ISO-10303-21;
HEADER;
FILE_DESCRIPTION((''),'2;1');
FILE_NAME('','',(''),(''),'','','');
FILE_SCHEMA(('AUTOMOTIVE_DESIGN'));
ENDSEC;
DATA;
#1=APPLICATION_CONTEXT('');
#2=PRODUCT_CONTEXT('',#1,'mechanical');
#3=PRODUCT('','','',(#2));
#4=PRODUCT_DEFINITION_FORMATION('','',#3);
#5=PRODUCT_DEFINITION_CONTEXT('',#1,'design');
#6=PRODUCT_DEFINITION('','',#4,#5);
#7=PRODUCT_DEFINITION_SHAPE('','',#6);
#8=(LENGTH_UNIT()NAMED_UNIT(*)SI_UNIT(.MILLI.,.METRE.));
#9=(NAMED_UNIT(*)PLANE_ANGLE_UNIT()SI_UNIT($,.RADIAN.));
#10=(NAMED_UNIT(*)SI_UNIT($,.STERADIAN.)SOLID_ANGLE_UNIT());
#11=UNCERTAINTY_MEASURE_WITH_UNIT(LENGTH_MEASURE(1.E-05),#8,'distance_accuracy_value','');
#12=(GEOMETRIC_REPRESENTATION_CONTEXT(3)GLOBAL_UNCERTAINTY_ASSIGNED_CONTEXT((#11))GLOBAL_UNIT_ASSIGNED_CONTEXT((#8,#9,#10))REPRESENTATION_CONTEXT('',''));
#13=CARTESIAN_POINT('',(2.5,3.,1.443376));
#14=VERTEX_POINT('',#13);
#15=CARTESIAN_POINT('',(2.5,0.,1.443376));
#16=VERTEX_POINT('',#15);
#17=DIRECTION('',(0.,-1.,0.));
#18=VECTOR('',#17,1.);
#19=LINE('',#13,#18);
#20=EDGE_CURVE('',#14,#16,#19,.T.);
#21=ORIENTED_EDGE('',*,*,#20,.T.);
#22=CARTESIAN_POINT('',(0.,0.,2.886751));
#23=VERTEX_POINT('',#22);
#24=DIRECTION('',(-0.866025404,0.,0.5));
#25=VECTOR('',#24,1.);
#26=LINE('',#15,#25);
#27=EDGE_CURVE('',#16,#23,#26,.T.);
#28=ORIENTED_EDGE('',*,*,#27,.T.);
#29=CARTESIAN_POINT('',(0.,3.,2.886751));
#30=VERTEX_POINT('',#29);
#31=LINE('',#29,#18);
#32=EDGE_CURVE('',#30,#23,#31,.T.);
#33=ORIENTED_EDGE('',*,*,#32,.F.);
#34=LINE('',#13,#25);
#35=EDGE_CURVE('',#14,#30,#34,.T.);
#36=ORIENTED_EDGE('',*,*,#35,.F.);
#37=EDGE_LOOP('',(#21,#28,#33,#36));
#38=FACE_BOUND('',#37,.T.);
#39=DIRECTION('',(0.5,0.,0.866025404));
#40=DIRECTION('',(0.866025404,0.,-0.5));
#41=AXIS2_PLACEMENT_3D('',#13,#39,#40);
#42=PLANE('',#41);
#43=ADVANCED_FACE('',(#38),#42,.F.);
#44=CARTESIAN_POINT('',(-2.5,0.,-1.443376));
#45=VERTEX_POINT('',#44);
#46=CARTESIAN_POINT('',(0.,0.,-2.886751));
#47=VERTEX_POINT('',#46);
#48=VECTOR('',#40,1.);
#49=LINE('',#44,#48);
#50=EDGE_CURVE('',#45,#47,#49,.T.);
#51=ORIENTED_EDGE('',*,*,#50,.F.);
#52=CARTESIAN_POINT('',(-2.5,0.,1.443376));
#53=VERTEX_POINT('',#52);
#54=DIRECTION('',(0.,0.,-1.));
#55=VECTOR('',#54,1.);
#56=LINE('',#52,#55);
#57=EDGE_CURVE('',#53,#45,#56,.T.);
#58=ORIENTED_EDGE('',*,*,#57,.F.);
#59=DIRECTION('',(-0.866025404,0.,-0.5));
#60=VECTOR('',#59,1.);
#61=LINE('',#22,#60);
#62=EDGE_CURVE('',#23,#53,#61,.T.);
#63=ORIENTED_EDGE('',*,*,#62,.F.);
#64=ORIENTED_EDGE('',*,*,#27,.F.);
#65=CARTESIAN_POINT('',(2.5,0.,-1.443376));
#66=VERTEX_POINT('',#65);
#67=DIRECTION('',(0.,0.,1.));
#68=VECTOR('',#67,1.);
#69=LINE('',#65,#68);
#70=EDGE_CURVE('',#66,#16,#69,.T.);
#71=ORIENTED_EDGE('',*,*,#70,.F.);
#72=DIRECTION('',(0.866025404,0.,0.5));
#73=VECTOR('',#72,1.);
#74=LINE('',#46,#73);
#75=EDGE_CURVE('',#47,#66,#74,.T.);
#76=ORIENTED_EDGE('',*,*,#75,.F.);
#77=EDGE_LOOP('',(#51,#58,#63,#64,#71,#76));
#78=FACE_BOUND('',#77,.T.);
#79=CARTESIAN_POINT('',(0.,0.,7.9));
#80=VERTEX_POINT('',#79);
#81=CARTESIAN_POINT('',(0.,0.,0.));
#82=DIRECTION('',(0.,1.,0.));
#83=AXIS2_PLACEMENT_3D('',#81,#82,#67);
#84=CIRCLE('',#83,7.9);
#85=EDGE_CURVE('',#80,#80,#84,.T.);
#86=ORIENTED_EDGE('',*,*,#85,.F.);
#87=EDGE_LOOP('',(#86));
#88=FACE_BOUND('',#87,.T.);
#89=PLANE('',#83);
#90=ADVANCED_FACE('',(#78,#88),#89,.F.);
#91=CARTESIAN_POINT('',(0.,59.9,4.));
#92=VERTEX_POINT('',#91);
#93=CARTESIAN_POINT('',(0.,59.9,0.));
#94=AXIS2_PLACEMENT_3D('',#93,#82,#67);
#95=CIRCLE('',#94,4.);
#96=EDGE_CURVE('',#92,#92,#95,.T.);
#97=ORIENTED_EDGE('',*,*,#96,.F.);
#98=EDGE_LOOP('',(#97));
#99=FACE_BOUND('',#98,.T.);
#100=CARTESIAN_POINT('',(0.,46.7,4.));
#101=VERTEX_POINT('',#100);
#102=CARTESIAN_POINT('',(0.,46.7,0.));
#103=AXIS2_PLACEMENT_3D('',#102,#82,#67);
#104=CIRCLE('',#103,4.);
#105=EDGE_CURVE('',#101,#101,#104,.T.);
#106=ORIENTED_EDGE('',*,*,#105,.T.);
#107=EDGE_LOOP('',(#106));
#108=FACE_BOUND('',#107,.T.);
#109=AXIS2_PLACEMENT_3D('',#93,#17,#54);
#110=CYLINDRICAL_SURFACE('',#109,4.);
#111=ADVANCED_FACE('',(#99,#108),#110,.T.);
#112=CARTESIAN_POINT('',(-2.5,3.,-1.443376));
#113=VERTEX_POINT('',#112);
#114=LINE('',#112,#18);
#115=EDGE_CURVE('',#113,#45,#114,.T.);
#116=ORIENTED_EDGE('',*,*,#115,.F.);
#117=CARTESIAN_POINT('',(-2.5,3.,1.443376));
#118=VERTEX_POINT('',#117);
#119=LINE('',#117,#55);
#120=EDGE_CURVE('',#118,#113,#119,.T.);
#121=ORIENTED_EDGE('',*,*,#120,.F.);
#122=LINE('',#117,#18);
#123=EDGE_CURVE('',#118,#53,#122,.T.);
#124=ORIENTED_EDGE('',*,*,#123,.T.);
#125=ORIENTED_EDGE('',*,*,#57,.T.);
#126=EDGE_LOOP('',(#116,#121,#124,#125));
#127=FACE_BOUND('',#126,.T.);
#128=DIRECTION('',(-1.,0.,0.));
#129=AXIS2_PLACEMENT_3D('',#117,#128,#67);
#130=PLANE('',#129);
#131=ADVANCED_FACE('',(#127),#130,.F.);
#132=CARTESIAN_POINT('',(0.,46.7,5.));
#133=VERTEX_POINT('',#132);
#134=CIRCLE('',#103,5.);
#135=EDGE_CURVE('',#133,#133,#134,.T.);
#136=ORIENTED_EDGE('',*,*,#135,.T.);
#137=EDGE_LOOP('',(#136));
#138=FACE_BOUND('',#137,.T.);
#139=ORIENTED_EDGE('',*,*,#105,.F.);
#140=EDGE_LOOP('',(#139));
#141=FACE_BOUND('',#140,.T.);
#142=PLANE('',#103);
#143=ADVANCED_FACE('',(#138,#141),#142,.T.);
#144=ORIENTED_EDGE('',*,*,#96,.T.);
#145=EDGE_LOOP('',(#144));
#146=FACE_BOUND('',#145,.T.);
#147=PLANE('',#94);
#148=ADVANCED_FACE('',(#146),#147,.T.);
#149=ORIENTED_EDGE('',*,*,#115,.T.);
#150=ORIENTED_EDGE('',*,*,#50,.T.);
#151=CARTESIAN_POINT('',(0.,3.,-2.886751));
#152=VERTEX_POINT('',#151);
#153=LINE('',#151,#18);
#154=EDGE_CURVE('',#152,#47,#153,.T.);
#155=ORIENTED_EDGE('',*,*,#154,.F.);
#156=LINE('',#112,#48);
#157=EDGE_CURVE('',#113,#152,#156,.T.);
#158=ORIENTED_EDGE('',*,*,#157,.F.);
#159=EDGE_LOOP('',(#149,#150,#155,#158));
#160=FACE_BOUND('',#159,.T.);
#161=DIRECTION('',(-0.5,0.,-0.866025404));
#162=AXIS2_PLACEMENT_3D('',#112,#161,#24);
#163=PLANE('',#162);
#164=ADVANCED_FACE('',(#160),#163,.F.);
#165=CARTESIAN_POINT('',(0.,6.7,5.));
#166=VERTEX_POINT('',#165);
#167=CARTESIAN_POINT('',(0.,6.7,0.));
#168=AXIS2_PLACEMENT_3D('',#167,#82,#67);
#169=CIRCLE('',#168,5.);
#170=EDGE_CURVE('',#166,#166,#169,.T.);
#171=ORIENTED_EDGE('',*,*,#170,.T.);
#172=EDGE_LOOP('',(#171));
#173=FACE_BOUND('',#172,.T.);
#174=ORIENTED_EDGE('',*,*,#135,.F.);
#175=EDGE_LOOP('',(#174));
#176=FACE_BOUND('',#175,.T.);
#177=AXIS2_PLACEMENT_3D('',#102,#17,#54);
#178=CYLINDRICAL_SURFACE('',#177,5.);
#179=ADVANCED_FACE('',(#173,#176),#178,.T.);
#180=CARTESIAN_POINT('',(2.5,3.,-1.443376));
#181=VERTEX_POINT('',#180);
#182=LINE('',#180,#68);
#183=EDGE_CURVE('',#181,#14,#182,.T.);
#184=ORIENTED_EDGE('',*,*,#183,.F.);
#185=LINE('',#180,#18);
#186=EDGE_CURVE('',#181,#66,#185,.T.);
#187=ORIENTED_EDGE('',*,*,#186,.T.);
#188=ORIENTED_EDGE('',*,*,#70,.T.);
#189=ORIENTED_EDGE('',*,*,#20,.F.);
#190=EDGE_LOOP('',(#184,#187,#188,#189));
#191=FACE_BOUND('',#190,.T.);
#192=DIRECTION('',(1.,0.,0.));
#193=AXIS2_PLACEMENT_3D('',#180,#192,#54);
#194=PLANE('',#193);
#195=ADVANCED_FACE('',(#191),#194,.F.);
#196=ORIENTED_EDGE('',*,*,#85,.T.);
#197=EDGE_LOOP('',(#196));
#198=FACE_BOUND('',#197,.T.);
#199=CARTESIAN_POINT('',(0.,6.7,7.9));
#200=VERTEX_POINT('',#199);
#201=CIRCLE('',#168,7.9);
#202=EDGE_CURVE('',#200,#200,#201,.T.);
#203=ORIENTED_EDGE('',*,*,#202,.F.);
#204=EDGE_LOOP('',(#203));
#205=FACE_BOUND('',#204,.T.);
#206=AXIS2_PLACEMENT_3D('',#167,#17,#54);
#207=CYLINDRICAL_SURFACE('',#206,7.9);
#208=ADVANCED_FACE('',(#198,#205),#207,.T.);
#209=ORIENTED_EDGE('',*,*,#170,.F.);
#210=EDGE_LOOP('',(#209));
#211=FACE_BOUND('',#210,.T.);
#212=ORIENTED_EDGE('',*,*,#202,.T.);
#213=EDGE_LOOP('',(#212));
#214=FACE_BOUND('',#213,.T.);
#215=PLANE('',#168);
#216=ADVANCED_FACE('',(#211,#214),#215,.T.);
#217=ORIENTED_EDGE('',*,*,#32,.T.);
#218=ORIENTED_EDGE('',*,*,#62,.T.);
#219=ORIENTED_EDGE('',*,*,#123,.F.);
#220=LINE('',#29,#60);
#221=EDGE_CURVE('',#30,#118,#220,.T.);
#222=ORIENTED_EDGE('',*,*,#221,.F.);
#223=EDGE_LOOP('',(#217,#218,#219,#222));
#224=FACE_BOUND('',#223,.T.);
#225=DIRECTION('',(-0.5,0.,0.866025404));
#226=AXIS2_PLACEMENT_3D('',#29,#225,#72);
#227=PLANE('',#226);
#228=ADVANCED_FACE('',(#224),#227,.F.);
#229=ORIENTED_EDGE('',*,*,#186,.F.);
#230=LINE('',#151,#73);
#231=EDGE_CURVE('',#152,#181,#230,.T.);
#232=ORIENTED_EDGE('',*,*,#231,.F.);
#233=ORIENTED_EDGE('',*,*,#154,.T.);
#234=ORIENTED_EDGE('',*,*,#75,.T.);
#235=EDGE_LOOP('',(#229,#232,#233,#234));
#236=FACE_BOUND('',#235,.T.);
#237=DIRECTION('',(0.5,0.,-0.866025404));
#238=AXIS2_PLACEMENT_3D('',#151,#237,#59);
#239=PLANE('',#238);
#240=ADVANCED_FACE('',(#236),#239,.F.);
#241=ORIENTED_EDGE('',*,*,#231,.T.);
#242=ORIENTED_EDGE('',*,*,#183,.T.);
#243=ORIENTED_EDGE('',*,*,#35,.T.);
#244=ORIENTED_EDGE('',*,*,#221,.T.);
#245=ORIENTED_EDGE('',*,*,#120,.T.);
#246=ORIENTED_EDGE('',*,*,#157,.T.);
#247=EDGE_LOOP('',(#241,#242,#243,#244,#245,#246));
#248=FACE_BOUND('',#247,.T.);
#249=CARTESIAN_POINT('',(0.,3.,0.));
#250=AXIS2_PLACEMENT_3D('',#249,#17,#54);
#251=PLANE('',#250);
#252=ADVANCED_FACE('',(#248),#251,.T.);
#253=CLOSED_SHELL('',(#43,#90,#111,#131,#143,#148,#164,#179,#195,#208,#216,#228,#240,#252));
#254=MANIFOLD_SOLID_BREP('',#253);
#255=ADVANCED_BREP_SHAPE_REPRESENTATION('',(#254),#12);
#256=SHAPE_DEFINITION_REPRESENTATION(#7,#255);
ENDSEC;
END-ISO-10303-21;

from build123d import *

# Parameters (mm, degrees)
SKETCH_1_R          = 4
EXTRUDE_1_DEPTH     = 59.9
SKETCH_1_3_R        = 5
SKETCH_1_3_R_2      = 4
EXTRUDE_2_DEPTH     = 46.7
SKETCH_1_4_R        = 7.9
SKETCH_1_4_R_2      = 5
EXTRUDE_3_DEPTH     = 6.7
CUT_EXTRUDE_1_DEPTH = 3


with BuildPart() as part:
    # 草图1 → 凸台-拉伸1 (new body)
    with BuildSketch(Plane(origin=(0, 0, 0), x_dir=(1, 0, 0), z_dir=(0, 1, 0))):
        Circle(SKETCH_1_R)
    extrude(amount=EXTRUDE_1_DEPTH)

    # 草图1<3> → 凸台-拉伸2 (add)
    with BuildSketch(Plane(origin=(0, 0, 0), x_dir=(1, 0, 0), z_dir=(0, 1, 0))):
        Circle(SKETCH_1_3_R)
        Circle(SKETCH_1_3_R_2, mode=Mode.SUBTRACT)
    extrude(amount=EXTRUDE_2_DEPTH)

    # 草图1<4> → 凸台-拉伸3 (add)
    with BuildSketch(Plane(origin=(0, 0, 0), x_dir=(1, 0, 0), z_dir=(0, 1, 0))):
        Circle(SKETCH_1_4_R)
        Circle(SKETCH_1_4_R_2, mode=Mode.SUBTRACT)
    extrude(amount=EXTRUDE_3_DEPTH)

    # 草图2 → 切除-拉伸1 (cut)
    with BuildSketch(Plane.XZ):
        Polygon((2.5, 1.443375673), (0, 2.886751346), (-2.5, 1.443375673), (-2.5, -1.443375673), (0, -2.886751346), (2.5, -1.443375673), align=None)
    extrude(amount=-CUT_EXTRUDE_1_DEPTH, mode=Mode.SUBTRACT)


solid = part.part
